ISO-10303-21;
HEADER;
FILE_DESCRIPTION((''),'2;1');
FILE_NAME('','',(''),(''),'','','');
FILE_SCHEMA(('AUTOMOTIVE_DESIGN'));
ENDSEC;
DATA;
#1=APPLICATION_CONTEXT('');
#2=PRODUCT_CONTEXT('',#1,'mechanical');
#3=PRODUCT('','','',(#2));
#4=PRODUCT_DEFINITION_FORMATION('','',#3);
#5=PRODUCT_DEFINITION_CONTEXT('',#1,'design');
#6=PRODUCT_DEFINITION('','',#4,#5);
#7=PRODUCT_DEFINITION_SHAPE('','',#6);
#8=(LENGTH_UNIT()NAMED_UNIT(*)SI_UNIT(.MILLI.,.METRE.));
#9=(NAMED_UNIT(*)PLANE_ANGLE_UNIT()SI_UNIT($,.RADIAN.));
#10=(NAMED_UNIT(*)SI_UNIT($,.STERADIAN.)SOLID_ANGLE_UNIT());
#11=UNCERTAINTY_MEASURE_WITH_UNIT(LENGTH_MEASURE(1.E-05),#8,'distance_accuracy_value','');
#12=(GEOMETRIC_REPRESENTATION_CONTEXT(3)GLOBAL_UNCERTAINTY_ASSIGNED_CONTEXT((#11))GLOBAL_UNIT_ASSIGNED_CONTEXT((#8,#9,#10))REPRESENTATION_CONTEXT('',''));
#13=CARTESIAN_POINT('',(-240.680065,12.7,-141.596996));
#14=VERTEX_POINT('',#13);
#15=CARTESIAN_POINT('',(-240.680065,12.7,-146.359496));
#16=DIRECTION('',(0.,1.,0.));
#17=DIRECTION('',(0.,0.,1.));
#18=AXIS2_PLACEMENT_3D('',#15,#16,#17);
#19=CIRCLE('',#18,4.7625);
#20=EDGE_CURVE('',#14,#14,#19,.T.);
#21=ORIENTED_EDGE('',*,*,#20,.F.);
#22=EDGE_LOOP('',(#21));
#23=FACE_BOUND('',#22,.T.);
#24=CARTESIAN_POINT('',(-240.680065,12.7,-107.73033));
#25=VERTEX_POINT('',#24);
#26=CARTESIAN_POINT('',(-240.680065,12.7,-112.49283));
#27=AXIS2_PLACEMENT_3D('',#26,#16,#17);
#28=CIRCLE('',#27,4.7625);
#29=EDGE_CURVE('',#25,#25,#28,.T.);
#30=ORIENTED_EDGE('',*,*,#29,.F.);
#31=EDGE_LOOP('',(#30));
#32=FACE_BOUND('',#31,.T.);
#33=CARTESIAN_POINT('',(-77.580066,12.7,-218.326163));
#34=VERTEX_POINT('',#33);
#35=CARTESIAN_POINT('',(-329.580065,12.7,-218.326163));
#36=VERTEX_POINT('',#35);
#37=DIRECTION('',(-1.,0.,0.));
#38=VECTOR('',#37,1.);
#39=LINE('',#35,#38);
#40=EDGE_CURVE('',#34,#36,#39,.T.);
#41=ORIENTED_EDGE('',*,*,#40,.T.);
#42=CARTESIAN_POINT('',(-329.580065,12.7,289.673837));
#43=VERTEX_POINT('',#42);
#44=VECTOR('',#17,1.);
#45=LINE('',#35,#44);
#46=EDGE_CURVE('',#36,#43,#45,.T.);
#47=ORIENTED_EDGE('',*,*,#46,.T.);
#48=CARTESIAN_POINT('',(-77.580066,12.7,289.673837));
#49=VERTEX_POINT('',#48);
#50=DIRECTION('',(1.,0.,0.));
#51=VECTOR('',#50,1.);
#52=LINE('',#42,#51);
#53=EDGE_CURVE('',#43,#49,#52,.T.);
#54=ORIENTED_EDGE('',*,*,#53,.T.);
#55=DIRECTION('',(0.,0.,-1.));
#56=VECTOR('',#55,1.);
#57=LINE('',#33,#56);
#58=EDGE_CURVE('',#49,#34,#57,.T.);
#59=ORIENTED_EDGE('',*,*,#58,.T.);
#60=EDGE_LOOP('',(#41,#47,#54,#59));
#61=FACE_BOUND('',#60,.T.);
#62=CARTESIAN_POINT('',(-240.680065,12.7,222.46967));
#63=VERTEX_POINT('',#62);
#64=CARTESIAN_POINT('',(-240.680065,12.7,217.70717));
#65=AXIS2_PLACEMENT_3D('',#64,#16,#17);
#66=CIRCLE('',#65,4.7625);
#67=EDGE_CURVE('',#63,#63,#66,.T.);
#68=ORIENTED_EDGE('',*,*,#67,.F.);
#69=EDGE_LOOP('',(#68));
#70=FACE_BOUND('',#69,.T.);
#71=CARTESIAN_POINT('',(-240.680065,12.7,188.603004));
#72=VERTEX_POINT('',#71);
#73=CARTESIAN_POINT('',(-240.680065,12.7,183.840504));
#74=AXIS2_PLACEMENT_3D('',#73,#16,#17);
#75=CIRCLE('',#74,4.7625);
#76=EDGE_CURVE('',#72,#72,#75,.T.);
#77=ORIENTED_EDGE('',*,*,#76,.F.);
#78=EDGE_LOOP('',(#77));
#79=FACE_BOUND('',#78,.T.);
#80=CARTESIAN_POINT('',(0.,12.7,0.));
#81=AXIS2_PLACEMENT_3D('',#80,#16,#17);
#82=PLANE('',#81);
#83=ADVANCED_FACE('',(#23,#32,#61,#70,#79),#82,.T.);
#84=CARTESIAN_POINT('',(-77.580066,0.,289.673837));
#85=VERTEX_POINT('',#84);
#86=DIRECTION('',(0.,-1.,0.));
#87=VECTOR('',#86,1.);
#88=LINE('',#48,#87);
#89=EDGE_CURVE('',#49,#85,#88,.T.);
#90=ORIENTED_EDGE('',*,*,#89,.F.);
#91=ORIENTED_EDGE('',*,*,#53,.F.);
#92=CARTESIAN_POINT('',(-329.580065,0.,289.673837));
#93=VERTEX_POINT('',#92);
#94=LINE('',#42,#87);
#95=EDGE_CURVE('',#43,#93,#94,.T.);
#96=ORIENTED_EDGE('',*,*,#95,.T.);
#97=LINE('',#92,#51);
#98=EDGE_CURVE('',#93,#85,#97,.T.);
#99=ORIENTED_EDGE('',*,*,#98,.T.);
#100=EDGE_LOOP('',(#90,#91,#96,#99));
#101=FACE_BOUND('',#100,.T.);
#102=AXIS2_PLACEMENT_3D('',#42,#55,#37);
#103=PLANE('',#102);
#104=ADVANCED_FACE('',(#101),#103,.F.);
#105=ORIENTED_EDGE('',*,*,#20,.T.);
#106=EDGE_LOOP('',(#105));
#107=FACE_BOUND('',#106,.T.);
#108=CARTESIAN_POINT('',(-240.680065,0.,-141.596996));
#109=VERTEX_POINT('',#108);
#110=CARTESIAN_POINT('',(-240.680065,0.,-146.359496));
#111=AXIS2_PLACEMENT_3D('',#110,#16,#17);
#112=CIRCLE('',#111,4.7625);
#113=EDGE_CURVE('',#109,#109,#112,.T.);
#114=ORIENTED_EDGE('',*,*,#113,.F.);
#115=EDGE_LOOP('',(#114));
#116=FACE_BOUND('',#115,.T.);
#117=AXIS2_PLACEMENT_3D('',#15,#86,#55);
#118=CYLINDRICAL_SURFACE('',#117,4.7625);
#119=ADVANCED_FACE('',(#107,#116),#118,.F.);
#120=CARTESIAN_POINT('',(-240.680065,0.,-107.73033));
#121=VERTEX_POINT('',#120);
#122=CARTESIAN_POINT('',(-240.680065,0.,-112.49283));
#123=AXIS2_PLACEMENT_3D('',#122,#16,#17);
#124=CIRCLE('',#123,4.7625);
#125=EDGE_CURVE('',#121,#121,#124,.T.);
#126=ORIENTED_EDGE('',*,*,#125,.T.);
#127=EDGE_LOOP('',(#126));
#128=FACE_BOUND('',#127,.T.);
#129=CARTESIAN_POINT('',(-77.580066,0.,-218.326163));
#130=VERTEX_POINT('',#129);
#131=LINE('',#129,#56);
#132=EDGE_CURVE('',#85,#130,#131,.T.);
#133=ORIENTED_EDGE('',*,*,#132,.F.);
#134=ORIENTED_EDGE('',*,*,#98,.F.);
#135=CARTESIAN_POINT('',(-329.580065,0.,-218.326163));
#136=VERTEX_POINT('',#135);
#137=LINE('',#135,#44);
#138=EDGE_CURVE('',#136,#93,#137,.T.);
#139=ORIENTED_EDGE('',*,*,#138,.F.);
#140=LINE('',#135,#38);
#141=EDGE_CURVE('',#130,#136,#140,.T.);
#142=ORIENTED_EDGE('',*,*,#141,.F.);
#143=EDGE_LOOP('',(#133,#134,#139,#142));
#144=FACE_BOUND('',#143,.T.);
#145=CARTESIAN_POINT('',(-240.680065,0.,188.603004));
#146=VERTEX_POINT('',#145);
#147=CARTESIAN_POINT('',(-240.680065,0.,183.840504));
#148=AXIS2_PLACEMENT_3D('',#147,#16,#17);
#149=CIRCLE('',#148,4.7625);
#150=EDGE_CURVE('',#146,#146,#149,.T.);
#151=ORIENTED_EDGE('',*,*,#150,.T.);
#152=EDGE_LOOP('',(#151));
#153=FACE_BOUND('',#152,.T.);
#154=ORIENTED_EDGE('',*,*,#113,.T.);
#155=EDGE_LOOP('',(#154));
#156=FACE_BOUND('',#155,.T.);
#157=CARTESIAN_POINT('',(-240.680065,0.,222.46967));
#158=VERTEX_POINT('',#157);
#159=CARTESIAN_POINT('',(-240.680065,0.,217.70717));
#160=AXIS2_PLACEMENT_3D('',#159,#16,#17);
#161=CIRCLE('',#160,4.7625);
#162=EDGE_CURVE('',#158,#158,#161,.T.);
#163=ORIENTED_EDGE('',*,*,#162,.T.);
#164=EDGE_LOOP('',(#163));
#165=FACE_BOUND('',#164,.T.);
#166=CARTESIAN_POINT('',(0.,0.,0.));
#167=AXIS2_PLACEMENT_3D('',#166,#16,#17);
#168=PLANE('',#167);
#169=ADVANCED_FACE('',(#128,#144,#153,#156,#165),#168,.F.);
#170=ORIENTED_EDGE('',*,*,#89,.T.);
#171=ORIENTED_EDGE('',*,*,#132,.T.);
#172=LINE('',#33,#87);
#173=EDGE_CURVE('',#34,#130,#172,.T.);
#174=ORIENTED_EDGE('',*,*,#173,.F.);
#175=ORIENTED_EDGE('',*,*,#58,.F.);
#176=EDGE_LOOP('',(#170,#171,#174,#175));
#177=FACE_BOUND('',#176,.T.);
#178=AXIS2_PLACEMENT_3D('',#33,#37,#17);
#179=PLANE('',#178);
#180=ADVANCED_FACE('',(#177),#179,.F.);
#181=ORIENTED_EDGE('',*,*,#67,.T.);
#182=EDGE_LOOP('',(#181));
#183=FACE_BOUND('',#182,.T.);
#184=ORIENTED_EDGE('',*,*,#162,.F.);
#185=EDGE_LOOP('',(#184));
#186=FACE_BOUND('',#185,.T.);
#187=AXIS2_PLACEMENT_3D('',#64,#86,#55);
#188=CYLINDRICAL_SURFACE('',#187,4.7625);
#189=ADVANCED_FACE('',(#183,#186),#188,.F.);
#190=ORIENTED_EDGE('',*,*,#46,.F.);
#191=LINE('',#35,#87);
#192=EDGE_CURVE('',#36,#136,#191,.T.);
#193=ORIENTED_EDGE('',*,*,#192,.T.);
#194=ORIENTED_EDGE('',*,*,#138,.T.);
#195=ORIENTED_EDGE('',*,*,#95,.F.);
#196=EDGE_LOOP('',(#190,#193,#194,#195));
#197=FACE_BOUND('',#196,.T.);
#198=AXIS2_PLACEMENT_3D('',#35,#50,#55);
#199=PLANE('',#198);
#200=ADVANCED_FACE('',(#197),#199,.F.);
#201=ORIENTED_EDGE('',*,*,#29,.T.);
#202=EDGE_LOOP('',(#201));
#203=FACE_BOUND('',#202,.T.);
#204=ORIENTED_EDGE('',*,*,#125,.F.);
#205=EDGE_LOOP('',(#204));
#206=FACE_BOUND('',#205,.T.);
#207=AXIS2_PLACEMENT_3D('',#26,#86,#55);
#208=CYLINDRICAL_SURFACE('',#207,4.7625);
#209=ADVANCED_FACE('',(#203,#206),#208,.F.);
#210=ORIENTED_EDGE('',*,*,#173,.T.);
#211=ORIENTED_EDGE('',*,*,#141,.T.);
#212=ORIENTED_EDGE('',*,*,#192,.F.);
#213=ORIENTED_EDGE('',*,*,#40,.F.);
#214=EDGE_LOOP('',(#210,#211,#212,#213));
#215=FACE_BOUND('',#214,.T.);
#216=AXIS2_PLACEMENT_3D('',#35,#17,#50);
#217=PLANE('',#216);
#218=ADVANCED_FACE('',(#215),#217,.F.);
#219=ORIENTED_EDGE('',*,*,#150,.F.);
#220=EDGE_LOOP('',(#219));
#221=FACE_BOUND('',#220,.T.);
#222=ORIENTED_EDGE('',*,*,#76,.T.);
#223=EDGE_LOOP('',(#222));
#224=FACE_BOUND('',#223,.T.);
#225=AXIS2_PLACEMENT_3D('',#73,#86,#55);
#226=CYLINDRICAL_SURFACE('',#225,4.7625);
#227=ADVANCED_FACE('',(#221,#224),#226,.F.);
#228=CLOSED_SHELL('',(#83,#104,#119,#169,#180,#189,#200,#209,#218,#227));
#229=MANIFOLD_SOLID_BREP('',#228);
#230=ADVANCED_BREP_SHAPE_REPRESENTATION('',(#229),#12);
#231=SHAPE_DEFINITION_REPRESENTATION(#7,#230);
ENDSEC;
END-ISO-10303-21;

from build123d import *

# Parameters (mm, degrees)
SKETCH1_W           = 251.99999892
SKETCH1_H           = 508
SKETCH1_R           = 4.7625
BOSS_EXTRUDE4_DEPTH = 12.7


with BuildPart() as part:
    # Sketch1 → Boss-Extrude4 (new body)
    with BuildSketch(Plane(origin=(0, 0, 0), x_dir=(1, 0, 0), z_dir=(0, 1, 0))):
        with Locations((-203.580065595, -35.673837084)):
            Rectangle(SKETCH1_W, SKETCH1_H)
        with Locations((-240.680065055, 112.492829583)):
            Circle(SKETCH1_R, mode=Mode.SUBTRACT)
        with Locations((-240.680065055, 146.35949625)):
            Circle(SKETCH1_R, mode=Mode.SUBTRACT)
        with Locations((-240.680065055, -183.84050375)):
            Circle(SKETCH1_R, mode=Mode.SUBTRACT)
        with Locations((-240.680065055, -217.707170417)):
            Circle(SKETCH1_R, mode=Mode.SUBTRACT)
    extrude(amount=BOSS_EXTRUDE4_DEPTH)


solid = part.part
